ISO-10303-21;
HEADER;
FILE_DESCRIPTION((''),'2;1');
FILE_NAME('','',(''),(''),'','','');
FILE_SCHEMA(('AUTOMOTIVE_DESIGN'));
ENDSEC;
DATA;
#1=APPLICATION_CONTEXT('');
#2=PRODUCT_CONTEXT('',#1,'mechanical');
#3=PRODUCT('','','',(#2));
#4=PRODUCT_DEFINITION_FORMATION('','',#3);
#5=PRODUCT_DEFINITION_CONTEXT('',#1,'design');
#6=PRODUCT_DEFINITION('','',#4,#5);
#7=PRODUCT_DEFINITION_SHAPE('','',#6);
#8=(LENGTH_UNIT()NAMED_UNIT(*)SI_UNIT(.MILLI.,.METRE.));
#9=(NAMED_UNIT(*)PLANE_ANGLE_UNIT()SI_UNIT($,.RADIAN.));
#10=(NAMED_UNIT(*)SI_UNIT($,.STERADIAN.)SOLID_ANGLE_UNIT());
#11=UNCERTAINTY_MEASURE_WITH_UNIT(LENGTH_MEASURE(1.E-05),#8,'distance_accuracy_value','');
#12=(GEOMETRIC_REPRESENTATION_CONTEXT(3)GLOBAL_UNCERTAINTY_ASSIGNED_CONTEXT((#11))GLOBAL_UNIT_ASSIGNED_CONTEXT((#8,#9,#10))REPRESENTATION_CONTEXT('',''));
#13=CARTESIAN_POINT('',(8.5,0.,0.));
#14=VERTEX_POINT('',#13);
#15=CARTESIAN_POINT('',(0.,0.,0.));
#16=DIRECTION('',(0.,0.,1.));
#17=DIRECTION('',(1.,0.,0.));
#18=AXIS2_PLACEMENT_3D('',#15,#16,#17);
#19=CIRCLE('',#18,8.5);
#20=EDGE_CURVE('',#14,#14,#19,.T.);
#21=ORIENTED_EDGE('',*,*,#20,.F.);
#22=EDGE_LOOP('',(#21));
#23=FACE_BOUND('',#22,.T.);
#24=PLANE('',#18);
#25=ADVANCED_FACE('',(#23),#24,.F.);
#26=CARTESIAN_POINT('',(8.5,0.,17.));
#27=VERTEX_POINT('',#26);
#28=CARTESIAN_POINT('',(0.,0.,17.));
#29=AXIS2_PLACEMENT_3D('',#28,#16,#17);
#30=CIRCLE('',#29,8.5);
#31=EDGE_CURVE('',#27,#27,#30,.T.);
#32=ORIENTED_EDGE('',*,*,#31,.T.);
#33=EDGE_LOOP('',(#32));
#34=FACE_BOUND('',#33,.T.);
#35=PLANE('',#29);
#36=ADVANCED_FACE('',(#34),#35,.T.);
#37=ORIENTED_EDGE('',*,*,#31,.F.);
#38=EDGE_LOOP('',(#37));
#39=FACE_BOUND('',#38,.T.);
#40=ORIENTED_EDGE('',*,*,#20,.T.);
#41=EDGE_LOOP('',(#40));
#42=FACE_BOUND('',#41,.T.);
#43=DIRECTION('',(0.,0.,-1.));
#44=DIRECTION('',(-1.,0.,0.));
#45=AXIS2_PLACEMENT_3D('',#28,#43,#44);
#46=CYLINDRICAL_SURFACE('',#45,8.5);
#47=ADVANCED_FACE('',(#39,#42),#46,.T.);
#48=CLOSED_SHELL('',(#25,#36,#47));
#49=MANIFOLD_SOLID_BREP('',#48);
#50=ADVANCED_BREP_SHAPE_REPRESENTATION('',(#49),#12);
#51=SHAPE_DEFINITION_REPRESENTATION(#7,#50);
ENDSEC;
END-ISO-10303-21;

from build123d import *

# Parameters (mm, degrees)
SKETCH1_R           = 8.5
BOSS_EXTRUDE1_DEPTH = 17


with BuildPart() as part:
    # Sketch1 → Boss-Extrude1 (new body)
    with BuildSketch(Plane.XY):
        Circle(SKETCH1_R)
    extrude(amount=BOSS_EXTRUDE1_DEPTH)


solid = part.part
